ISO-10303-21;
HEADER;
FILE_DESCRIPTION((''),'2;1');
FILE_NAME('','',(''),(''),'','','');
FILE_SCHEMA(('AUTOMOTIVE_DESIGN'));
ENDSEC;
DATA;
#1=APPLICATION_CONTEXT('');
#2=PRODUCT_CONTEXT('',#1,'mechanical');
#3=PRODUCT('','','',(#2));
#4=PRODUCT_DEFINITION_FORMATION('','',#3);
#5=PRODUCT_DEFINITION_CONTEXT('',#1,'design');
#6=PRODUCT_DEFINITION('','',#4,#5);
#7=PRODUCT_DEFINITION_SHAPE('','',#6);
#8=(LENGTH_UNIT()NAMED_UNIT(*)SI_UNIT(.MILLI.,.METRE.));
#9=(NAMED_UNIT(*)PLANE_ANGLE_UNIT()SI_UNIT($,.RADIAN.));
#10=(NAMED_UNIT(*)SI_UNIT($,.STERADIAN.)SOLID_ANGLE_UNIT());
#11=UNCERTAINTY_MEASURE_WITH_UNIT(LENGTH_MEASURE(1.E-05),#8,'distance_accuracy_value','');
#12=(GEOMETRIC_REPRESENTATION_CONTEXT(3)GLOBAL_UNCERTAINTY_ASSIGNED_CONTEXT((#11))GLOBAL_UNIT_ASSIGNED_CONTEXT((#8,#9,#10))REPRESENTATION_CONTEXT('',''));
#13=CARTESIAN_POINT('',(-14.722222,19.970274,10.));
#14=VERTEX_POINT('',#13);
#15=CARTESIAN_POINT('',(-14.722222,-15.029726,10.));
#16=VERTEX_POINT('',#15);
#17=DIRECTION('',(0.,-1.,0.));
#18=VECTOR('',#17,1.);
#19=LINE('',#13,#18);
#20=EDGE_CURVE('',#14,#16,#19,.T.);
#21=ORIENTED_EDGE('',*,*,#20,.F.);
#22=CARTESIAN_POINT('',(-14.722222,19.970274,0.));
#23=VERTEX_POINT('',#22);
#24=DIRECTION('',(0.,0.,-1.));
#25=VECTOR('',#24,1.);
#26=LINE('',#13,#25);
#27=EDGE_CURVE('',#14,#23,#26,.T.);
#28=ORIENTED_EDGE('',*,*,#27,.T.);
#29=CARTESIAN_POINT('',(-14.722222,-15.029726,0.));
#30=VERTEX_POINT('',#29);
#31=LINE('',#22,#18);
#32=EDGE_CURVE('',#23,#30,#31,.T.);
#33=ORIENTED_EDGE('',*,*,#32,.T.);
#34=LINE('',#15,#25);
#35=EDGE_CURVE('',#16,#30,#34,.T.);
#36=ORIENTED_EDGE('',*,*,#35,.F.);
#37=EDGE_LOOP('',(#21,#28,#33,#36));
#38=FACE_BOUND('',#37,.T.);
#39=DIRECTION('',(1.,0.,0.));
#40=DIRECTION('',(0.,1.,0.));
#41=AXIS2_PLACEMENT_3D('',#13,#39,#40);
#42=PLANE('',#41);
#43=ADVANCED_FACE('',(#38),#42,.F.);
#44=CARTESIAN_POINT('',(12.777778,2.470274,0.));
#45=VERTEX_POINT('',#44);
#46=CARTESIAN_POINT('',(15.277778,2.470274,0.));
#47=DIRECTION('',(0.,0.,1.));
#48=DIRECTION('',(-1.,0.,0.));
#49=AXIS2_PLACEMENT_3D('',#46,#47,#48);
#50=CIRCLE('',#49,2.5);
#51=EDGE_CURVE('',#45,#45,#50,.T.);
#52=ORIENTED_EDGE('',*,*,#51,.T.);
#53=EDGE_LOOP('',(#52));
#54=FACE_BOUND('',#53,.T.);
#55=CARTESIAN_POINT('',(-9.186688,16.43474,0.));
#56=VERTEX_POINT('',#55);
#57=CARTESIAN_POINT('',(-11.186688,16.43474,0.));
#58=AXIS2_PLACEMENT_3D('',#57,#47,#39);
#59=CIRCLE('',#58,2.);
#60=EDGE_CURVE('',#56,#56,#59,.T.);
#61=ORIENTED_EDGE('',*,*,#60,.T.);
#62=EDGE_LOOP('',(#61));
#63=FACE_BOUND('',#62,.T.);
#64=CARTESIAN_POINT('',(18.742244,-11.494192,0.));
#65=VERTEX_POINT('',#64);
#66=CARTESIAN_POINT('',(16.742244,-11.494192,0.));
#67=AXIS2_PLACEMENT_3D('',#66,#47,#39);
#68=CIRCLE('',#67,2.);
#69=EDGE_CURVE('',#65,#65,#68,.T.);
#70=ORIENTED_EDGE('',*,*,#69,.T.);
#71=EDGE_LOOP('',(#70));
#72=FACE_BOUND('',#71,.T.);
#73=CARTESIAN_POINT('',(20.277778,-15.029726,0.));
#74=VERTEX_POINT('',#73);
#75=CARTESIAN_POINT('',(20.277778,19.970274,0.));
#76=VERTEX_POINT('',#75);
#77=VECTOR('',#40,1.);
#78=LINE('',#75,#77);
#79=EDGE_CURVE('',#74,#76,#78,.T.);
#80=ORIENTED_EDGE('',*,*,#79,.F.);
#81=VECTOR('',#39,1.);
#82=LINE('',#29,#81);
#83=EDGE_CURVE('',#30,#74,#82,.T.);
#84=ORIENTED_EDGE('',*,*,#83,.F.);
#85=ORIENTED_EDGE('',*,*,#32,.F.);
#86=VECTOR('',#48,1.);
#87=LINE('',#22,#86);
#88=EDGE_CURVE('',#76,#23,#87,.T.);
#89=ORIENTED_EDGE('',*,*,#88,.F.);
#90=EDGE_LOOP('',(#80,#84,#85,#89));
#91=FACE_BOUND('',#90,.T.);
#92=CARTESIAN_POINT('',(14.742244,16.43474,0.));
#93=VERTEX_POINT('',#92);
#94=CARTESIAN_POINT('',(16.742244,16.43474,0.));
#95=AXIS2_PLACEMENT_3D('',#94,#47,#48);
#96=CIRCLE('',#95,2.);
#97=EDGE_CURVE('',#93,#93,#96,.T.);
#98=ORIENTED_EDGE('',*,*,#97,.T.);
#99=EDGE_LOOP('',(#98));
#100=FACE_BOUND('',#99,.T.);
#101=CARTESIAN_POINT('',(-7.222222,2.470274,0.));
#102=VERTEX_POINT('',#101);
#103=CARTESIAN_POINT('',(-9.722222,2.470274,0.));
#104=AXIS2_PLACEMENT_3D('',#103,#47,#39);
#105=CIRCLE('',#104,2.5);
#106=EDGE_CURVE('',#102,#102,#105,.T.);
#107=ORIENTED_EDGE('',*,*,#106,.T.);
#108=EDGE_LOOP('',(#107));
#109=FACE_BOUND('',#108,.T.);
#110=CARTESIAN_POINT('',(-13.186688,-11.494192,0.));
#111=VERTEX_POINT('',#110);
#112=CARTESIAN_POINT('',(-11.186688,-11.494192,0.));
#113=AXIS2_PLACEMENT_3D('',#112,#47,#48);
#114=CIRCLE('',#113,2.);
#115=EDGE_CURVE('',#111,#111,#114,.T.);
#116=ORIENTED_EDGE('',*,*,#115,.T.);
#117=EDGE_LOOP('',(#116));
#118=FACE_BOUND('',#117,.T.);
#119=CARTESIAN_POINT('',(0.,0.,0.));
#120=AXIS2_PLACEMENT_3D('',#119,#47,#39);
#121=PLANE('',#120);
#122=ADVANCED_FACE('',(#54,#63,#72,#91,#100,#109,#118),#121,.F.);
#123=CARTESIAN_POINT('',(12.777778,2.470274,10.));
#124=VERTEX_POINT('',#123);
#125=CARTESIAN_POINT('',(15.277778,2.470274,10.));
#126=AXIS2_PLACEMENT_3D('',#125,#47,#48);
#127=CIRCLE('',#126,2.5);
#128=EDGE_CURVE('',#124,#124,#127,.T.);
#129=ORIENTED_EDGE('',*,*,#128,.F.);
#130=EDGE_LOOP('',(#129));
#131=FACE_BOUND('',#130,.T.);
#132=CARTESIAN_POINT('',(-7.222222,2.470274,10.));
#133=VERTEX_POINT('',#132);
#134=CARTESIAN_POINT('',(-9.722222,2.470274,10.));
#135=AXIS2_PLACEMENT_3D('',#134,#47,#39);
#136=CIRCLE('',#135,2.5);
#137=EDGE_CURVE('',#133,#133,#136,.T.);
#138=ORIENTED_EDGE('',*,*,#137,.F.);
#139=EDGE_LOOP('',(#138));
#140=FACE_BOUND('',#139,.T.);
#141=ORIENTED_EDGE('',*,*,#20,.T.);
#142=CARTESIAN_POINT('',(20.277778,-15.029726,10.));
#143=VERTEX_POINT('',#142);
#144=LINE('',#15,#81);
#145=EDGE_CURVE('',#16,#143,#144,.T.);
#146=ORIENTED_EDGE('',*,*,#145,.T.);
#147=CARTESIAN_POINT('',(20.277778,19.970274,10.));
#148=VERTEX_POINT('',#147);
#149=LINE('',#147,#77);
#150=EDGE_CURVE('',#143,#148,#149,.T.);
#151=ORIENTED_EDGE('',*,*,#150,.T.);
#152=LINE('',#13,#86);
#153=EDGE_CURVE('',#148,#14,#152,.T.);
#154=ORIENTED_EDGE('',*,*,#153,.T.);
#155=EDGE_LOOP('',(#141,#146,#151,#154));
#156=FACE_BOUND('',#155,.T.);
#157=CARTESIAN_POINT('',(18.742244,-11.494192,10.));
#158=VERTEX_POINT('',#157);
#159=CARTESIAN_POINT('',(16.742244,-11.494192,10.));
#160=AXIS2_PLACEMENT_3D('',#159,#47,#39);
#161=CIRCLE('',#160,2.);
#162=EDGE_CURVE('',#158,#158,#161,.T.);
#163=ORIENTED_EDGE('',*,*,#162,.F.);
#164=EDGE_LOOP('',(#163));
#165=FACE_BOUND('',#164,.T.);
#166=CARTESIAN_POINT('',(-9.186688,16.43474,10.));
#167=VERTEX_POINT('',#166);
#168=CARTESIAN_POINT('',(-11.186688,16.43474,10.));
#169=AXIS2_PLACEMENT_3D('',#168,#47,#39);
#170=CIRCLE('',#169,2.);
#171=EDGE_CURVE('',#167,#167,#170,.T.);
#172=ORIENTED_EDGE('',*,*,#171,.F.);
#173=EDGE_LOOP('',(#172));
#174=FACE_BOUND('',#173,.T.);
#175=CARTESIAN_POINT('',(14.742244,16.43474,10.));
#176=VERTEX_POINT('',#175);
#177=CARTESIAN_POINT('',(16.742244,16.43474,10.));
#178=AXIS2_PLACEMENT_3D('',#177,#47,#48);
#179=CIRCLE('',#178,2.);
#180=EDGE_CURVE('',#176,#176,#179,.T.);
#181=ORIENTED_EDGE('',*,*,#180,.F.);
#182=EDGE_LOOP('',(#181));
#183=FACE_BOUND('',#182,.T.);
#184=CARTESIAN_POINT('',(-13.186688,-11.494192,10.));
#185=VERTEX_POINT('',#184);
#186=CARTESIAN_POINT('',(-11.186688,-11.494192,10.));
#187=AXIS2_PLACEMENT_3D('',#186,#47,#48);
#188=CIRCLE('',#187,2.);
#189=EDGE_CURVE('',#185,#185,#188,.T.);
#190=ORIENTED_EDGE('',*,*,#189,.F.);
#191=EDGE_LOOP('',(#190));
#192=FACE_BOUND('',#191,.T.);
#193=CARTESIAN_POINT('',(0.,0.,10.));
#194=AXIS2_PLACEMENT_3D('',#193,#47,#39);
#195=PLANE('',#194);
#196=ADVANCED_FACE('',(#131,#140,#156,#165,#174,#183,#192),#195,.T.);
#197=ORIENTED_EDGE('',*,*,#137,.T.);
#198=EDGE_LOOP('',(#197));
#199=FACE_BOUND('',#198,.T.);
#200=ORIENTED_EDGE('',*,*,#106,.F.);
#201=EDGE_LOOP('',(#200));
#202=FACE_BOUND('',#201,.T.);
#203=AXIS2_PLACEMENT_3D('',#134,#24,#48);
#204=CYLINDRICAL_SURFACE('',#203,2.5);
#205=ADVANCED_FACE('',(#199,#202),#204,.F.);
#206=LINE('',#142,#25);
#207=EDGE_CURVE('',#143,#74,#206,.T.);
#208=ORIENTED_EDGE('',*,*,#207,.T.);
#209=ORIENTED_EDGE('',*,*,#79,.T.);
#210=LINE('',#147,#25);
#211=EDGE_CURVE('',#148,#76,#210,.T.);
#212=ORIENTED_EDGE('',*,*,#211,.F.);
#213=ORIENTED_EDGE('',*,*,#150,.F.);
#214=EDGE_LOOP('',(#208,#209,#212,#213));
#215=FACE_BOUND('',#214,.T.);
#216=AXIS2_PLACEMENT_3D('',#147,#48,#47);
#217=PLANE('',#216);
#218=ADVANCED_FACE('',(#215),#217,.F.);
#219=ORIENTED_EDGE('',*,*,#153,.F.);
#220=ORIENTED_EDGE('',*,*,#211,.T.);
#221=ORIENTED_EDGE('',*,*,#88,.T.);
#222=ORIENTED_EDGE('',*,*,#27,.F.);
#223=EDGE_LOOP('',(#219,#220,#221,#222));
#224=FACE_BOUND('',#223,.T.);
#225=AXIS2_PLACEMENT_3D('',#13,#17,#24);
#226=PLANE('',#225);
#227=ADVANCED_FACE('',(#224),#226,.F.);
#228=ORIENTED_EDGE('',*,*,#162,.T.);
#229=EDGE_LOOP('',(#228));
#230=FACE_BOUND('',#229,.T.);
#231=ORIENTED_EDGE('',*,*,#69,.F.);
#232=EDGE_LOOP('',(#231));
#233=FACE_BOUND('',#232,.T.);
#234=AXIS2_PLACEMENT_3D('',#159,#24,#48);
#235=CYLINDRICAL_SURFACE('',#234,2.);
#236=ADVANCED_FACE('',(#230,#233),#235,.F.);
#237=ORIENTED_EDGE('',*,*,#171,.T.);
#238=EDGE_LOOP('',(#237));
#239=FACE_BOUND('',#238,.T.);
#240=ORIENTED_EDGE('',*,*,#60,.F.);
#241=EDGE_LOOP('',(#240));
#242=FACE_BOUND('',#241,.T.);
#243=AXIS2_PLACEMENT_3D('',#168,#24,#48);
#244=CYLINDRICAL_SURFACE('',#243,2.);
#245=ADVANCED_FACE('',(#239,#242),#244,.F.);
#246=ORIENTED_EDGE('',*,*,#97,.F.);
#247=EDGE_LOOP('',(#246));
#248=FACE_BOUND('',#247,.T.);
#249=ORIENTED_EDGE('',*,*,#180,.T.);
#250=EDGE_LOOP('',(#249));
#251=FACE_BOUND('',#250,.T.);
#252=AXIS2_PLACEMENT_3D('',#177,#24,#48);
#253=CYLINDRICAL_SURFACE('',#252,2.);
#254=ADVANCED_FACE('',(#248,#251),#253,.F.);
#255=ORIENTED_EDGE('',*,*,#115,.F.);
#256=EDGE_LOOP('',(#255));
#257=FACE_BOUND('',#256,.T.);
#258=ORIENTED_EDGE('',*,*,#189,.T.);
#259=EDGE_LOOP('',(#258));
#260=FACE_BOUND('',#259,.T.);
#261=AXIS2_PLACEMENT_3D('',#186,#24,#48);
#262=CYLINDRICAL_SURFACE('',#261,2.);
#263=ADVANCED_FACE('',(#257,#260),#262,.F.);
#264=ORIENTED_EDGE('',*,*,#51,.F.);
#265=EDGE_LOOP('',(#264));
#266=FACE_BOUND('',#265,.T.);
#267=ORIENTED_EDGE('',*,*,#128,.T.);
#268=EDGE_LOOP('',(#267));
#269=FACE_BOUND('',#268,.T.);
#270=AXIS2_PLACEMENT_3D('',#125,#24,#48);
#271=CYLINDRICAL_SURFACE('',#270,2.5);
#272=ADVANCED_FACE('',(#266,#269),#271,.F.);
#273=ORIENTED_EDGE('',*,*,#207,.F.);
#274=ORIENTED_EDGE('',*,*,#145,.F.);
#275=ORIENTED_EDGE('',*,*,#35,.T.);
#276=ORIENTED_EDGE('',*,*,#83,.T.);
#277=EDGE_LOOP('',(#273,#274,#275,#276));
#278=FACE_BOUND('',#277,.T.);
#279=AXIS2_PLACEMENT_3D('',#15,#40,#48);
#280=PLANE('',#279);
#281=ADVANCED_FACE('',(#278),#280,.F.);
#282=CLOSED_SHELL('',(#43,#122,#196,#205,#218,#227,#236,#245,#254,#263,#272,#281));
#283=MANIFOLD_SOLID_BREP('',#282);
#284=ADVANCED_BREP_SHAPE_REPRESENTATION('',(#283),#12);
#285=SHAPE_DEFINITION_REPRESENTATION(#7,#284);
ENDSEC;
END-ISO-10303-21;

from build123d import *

# Parameters (mm, degrees)
SKETCH1_W           = 35
SKETCH1_H           = 35
SKETCH1_R           = 2
SKETCH1_R_2         = 2.5
BOSS_EXTRUDE1_DEPTH = 10


with BuildPart() as part:
    # Sketch1 → Boss-Extrude1 (new body)
    with BuildSketch(Plane.XY):
        with Locations((2.777777778, 2.470273614)):
            Rectangle(SKETCH1_W, SKETCH1_H)
        with Locations((16.742243872, -11.49419248)):
            Circle(SKETCH1_R, mode=Mode.SUBTRACT)
        with Locations(Location((16.742243872, 16.434739708, 0), (0, 0, 180))):
            Circle(SKETCH1_R, mode=Mode.SUBTRACT)
        with Locations((-11.186688316, 16.434739708)):
            Circle(SKETCH1_R, mode=Mode.SUBTRACT)
        with Locations(Location((-11.186688316, -11.49419248, 0), (0, 0, 180))):
            Circle(SKETCH1_R, mode=Mode.SUBTRACT)
        with Locations(Location((15.277777778, 2.470273614, 0), (0, 0, 180))):
            Circle(SKETCH1_R_2, mode=Mode.SUBTRACT)
        with Locations((-9.722222222, 2.470273614)):
            Circle(SKETCH1_R_2, mode=Mode.SUBTRACT)
    extrude(amount=BOSS_EXTRUDE1_DEPTH)


solid = part.part
